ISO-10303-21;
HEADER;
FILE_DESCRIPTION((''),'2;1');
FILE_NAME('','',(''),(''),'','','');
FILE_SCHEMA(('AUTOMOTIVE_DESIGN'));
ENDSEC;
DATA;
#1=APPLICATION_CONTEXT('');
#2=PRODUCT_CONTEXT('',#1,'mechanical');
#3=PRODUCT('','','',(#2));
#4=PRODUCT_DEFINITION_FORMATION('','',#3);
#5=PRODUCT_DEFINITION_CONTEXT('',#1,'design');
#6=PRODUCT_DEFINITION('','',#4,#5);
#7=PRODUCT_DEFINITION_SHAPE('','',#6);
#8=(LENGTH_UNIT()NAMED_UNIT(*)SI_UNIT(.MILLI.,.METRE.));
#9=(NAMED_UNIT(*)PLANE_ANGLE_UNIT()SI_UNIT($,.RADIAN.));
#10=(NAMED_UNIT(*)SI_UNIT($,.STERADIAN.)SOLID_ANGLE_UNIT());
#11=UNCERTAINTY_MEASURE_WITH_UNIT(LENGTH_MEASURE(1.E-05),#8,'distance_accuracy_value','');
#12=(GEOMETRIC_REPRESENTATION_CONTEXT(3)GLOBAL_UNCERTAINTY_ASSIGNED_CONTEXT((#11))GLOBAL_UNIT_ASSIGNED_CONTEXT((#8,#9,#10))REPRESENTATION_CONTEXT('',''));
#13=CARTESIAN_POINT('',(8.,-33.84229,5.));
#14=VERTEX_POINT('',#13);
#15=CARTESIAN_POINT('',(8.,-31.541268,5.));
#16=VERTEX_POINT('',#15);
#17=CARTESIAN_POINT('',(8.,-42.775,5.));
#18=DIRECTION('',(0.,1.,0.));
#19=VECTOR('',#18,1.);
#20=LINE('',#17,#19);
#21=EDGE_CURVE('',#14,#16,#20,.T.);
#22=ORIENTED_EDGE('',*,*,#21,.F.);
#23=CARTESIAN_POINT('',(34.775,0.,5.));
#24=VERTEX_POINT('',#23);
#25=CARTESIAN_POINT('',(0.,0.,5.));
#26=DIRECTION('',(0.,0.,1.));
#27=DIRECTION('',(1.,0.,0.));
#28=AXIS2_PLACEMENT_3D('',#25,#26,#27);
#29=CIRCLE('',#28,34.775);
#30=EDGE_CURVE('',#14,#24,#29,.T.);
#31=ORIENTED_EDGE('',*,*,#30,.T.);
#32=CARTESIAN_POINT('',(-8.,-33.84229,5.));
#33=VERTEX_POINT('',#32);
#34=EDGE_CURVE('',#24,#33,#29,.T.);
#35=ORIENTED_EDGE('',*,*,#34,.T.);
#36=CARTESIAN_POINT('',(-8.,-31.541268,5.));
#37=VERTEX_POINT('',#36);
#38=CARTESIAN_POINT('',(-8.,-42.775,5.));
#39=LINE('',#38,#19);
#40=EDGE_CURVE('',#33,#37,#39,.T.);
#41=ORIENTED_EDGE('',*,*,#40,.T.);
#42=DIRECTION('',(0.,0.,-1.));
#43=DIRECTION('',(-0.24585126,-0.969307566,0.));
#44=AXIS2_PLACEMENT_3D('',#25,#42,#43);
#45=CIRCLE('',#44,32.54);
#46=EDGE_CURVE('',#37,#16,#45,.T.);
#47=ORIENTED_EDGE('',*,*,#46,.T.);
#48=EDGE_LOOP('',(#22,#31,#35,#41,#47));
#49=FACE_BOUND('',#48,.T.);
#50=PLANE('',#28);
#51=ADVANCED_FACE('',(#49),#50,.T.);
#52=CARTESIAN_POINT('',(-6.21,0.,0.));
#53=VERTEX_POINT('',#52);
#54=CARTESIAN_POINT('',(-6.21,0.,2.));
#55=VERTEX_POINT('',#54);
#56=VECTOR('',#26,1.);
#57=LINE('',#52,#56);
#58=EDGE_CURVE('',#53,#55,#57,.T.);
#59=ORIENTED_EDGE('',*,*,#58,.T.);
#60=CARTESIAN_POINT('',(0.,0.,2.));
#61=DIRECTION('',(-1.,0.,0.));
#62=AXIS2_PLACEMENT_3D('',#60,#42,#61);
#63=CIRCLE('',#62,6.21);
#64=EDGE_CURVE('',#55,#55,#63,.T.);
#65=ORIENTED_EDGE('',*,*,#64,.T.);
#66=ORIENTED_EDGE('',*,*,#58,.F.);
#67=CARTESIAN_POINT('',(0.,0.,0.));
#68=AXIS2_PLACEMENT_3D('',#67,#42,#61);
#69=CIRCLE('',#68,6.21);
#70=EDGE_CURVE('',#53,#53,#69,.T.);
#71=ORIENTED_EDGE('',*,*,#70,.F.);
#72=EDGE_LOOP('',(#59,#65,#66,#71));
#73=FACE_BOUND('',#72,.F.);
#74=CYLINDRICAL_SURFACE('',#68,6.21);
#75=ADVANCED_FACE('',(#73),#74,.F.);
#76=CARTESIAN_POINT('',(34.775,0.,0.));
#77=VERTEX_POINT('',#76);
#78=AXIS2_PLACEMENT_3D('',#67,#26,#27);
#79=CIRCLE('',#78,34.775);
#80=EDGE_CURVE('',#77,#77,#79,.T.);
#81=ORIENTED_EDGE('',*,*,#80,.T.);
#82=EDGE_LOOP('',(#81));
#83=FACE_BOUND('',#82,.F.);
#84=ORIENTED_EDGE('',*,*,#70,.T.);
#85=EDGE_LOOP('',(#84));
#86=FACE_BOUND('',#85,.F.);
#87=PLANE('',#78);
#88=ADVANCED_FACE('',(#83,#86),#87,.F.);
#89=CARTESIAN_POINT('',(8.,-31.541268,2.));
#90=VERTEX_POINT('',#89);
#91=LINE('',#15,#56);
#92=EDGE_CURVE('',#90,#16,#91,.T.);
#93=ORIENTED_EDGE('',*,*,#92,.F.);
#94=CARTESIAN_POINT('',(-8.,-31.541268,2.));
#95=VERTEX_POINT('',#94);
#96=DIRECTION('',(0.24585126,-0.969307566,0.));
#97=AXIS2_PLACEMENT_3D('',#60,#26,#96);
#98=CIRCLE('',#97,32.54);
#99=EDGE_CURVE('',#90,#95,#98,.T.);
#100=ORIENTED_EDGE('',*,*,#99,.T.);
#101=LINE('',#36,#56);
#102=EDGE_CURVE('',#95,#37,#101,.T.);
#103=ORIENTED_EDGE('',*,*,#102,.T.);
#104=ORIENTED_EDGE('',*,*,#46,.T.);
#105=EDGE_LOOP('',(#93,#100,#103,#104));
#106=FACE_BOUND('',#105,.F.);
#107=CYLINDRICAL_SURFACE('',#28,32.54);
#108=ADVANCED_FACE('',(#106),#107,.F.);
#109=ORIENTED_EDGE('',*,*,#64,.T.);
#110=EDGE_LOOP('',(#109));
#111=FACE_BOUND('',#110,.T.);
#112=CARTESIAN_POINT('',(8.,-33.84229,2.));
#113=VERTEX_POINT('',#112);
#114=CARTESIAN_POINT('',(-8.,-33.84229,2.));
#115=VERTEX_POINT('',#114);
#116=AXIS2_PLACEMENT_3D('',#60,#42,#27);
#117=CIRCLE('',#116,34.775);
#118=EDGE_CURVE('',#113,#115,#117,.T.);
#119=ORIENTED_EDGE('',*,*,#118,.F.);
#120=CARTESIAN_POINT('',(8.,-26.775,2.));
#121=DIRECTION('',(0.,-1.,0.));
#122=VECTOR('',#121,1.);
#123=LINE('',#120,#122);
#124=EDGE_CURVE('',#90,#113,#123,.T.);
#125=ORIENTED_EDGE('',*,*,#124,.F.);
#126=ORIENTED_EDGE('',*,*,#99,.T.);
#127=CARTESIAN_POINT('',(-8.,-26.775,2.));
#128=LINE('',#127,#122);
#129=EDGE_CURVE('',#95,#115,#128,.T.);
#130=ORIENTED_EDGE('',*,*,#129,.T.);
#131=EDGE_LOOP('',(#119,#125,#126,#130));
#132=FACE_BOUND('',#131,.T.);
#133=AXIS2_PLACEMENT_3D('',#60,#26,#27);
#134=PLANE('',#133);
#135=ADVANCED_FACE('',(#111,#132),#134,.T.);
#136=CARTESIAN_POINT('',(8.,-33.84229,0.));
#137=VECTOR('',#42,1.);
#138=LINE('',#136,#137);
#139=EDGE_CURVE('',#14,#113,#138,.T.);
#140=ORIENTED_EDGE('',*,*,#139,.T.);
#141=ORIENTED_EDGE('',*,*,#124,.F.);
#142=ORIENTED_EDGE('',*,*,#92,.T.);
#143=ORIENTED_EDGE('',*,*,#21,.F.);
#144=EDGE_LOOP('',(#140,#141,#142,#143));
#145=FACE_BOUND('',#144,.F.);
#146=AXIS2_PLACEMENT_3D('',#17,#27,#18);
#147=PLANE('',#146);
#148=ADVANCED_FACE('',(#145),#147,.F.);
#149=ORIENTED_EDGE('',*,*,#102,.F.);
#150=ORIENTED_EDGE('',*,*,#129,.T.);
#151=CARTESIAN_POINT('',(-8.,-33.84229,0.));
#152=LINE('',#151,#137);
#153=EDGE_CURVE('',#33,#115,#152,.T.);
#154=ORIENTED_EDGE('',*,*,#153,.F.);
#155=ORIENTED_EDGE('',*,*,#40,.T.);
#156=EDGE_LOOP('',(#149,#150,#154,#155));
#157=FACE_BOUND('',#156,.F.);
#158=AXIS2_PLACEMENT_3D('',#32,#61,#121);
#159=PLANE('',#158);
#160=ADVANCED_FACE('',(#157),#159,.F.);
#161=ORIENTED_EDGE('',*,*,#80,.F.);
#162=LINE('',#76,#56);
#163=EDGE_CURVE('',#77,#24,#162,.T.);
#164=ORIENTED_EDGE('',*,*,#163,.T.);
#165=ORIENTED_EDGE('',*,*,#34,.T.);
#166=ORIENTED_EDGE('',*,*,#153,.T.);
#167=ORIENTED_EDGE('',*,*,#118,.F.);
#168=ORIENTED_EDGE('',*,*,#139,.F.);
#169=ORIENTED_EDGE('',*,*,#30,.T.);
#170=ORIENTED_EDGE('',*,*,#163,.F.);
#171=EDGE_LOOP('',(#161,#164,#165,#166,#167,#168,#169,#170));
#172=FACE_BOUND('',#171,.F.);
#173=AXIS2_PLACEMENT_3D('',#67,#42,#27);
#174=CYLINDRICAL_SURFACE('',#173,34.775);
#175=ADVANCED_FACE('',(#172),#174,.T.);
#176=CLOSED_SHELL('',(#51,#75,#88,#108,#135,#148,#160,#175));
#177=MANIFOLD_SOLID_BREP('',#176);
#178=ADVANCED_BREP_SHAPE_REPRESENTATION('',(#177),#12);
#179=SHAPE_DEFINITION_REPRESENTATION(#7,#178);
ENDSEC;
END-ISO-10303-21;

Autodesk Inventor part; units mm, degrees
ref_plane "YZ Plane" through (0, 0, 0) normal (1, 0, 0) x (0, 1, 0)
ref_plane "XZ Plane" through (0, 0, 0) normal (0, 1, 0) x (-1, 0, 0)
ref_plane "XY Plane" through (0, 0, 0) normal (0, 0, 1) x (1, 0, 0)
sketch "Skizze1" plane through (0, 0, 0) normal (0, 0, 1) x (1, 0, 0)
  circle A0 centre (0, 0) radius 34.775
  dimension "d0" = 69.55
extrude "Extrusion1" add sketch "Skizze1" along normal blind 5
sketch "Skizze2" plane through (0, 0, 5) normal (0, 0, 1) x (1, 0, 0)
  circle A0 centre (0, 0) radius 32.54
  dimension "d3" = 65.08
extrude "Extrusion2" cut sketch "Skizze2" against normal blind 3
sketch "Skizze3" plane through (0, 0, 0) normal (0, 0, -1) x (-1, 0, 0)
  circle A0 centre (0, 0) radius 6.21
  dimension "d6" = 12.42
extrude "Extrusion3" cut sketch "Skizze3" against normal through all
sketch "Skizze4" plane through (0, 0, 5) normal (0, 0, 1) x (1, 0, 0)
  line L0 (-8, -42.775) -> (8, -42.775)
  line L1 (8, -42.775) -> (8, -26.775)
  line L2 (8, -26.775) -> (-8, -26.775)
  line L3 (-8, -26.775) -> (-8, -42.775)
  circle A0 centre (0, 0) radius 34.775 projected
  line L4 (-8, -42.775) -> (8, -26.775) construction
  line L5 (8, -42.775) -> (-8, -26.775) construction
  point P0 (0, -34.775)
  dimension "d9" = 16
  dimension "d10" = 16
extrude "Extrusion4" cut sketch "Skizze4" against normal up to surface (3 mm away) contours L3 A0 L1 L0 | L3 L2 L1 A0 picked at (0.896, -29.407)
properties part number "2024_08_28_Holder_disk_GL14"
